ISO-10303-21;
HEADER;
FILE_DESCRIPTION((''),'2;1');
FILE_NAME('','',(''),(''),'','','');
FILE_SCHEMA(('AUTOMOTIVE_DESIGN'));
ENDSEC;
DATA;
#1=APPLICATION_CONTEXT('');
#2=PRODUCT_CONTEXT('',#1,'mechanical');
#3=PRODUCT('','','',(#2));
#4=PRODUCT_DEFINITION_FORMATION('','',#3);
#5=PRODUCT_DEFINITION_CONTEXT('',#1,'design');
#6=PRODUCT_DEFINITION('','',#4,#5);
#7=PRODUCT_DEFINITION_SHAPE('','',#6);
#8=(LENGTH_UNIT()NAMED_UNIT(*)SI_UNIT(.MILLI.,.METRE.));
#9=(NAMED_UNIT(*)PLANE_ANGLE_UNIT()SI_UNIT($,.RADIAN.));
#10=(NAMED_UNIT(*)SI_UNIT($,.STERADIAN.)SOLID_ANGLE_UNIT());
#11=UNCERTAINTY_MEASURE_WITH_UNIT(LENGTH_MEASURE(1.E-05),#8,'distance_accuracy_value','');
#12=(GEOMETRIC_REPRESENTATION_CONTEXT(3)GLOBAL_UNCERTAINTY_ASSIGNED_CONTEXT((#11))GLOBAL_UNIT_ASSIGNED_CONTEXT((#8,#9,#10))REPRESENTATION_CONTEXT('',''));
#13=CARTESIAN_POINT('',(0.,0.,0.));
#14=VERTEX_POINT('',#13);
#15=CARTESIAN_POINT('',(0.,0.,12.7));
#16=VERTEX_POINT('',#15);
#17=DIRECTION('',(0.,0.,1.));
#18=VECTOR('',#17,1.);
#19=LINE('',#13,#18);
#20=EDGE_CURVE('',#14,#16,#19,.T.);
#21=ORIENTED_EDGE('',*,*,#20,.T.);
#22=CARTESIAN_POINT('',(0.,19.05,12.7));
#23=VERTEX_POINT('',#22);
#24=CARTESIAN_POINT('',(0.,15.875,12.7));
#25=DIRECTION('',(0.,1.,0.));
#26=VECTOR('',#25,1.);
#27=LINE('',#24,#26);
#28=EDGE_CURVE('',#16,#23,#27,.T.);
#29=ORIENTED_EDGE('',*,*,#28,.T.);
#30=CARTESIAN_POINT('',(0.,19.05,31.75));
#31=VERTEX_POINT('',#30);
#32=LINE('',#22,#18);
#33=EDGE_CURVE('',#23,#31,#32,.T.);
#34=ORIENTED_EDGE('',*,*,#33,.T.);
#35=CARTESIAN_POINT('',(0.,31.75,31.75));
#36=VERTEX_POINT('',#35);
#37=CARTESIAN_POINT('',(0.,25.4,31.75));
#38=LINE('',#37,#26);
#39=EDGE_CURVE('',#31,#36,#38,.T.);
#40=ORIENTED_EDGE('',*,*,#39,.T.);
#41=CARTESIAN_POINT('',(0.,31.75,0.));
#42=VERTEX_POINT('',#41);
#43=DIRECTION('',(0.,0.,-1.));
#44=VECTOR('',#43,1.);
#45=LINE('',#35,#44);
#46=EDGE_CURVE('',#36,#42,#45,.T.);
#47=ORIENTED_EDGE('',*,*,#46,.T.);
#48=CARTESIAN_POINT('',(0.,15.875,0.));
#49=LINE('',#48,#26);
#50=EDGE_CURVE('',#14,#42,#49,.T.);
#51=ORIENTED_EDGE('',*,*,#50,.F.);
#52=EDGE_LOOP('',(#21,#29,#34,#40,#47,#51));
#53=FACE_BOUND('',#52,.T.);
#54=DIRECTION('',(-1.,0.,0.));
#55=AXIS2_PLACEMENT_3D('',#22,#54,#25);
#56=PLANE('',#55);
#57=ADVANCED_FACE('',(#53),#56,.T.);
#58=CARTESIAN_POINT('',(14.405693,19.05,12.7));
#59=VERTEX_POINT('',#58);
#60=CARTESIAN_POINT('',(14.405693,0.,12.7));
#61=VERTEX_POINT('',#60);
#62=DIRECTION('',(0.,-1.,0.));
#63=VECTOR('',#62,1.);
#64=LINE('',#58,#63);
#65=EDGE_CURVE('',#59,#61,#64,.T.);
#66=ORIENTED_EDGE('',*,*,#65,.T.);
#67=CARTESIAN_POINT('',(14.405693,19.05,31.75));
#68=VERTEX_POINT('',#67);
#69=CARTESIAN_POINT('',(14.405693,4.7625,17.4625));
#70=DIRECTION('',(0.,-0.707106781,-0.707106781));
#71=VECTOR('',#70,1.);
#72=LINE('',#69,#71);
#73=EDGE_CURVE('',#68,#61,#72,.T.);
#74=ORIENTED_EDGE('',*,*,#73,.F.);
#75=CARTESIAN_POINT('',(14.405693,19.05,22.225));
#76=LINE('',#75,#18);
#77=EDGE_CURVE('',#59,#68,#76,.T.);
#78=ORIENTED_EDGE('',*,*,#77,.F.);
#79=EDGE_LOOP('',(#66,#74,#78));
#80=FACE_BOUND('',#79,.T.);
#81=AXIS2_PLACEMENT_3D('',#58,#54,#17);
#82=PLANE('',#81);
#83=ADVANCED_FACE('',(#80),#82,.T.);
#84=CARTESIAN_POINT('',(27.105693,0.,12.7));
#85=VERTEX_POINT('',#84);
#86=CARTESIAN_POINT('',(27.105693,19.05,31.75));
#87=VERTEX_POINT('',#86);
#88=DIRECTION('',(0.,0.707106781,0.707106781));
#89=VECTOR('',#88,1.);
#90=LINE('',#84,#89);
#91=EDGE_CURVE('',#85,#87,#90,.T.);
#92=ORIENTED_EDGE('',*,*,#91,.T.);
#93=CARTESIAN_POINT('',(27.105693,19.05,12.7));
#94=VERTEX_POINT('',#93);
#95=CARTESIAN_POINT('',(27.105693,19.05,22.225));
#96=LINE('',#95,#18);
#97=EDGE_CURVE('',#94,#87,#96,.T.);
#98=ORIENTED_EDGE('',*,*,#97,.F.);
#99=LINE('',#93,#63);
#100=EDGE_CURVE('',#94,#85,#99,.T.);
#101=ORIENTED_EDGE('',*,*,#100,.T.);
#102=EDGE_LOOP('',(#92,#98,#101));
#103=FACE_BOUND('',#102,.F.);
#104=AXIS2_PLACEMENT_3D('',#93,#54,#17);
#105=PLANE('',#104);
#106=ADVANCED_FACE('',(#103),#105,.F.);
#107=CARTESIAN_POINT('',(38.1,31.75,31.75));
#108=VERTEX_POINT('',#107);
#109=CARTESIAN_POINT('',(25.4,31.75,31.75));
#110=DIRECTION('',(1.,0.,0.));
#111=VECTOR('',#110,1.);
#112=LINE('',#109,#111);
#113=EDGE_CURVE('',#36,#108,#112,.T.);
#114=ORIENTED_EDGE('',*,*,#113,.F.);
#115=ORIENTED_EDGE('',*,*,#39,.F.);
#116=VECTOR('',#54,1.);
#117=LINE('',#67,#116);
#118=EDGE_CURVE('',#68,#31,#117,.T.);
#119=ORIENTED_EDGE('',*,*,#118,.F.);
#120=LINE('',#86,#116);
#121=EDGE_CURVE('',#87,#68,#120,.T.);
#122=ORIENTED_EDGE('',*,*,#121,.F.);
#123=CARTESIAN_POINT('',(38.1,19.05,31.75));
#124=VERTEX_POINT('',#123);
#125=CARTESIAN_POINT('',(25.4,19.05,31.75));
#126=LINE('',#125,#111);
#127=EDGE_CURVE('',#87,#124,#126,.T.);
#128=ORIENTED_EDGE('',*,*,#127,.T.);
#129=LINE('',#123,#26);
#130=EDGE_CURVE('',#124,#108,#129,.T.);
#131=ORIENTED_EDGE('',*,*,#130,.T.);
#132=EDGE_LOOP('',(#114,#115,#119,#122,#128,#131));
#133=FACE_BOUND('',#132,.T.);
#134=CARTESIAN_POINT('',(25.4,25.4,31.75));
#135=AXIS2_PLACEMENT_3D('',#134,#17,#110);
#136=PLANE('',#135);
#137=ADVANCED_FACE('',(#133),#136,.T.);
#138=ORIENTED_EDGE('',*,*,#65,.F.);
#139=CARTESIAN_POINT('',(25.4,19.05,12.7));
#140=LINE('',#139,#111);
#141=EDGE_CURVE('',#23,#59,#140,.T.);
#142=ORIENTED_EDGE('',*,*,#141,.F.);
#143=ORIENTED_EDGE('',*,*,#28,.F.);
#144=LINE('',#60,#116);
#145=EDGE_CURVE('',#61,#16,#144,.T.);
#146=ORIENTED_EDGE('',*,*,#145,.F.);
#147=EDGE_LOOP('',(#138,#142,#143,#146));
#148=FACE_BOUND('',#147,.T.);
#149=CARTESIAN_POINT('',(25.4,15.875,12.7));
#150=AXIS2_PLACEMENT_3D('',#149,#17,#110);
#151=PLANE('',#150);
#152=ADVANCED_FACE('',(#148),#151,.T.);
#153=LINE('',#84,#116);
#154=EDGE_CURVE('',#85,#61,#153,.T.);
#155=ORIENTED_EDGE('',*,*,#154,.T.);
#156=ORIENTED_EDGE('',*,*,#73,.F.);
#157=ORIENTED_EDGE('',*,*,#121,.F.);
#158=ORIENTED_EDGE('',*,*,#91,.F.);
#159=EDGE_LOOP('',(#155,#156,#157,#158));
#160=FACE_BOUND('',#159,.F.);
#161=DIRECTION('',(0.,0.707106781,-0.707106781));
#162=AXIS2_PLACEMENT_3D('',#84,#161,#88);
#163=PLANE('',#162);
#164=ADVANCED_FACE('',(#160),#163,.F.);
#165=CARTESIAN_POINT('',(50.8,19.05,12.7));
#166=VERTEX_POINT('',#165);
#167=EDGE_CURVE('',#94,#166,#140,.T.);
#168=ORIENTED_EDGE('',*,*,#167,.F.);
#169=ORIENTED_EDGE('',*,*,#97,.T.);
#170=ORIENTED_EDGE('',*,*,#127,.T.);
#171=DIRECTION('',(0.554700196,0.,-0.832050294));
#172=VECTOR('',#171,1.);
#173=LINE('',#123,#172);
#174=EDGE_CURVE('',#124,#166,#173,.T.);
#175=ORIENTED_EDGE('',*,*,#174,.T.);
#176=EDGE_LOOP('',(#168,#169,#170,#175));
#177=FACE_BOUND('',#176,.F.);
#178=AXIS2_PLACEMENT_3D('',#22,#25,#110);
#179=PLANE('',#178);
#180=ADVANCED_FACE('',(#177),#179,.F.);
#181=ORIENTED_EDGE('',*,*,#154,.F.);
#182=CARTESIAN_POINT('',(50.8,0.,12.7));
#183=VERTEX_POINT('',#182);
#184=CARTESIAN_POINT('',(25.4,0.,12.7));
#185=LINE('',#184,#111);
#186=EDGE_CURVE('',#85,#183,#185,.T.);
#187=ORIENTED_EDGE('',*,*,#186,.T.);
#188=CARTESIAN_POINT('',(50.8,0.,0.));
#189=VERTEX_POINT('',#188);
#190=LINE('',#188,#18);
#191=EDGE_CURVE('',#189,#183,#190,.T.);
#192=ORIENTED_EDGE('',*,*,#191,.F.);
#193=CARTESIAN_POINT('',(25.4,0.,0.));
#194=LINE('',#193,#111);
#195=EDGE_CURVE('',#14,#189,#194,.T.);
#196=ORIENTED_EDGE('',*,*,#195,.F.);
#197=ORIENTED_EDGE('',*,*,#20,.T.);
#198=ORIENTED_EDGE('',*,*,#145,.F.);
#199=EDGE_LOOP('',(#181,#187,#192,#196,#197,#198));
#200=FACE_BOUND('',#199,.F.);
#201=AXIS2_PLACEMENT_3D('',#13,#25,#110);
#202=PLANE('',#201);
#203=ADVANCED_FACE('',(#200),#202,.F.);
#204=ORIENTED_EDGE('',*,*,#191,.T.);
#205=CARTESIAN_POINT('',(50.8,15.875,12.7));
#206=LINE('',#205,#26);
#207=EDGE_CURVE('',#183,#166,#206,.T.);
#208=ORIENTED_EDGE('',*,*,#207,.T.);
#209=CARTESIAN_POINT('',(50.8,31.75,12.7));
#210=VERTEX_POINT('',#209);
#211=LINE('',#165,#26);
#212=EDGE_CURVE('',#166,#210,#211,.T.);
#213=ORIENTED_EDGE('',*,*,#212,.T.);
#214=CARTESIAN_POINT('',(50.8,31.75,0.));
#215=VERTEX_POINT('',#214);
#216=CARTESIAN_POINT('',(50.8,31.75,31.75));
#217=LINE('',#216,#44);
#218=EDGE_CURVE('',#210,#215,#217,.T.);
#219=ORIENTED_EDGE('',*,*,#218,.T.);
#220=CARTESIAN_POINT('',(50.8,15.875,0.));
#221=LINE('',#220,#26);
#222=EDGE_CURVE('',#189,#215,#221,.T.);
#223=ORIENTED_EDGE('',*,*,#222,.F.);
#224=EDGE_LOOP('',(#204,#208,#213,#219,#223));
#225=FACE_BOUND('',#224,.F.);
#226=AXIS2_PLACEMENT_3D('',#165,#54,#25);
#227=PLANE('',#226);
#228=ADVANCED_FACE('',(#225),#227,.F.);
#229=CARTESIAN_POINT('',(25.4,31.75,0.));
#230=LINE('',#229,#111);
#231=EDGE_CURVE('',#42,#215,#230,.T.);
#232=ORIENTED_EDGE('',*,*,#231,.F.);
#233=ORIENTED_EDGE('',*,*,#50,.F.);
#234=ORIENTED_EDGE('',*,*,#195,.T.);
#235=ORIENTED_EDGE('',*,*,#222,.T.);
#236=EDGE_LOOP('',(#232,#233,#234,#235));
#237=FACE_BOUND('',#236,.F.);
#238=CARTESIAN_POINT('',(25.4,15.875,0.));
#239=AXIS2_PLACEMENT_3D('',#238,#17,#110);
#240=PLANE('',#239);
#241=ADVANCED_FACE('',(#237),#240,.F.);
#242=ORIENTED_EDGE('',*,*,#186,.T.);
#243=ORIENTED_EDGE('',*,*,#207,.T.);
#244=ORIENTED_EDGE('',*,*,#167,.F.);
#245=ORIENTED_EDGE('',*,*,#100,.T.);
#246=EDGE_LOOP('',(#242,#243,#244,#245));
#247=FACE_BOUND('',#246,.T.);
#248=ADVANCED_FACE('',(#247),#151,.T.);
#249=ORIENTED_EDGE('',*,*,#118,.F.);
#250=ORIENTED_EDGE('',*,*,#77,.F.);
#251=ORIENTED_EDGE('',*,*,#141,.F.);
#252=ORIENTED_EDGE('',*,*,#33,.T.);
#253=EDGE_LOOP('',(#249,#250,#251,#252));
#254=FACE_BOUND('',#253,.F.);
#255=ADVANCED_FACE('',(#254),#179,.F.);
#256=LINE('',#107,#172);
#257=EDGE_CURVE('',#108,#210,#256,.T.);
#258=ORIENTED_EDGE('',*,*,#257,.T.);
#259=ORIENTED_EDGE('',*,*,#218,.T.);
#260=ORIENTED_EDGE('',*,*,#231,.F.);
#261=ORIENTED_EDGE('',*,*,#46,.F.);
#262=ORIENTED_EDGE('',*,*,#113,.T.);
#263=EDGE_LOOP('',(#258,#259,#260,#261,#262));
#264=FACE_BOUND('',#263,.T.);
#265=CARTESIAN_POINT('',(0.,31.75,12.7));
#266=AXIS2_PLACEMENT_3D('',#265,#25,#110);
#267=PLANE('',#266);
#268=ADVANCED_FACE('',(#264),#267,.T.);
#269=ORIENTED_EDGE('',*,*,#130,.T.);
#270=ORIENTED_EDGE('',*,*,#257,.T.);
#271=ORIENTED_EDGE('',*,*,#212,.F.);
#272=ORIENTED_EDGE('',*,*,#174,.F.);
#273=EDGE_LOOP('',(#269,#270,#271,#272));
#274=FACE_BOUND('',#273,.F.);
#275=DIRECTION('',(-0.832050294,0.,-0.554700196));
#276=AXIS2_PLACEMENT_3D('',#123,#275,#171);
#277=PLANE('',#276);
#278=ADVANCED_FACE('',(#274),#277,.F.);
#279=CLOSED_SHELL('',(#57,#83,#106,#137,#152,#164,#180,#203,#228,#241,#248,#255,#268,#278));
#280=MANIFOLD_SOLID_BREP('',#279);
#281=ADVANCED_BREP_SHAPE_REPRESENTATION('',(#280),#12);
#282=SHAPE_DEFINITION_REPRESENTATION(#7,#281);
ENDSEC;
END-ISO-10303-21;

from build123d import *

# Parameters (mm, degrees)
F0_W     = 50.8
F0_H     = 31.75
F1_DEPTH = 12.7
F2_W     = 50.8
F2_H     = 12.7
F3_DEPTH = 19.05
F5_DEPTH = 12.7
F6_W     = 12.7
F6_H     = 19.05
F7_DEPTH = 19.05
F9_DEPTH = 25.4


with BuildPart() as f1:
    # F0 (on Top) → F1 (new body)
    with BuildSketch(Plane.XY):
        with Locations((25.4, 15.875)):
            Rectangle(F0_W, F0_H)
    extrude(amount=F1_DEPTH)

    # F2 (on face) → F3 (join)
    with BuildSketch(Plane.XY.offset(12.7)):
        with Locations((25.4, 25.4)):
            Rectangle(F2_W, F2_H)
    extrude(amount=F3_DEPTH)

    # F4 (on face) → F5 (cut)
    with BuildSketch(Plane.XZ.offset(-19.05)):
        Polygon((38.1, 31.75), (50.8, 12.7), (50.8, 31.75), align=None)
    extrude(amount=-F5_DEPTH, mode=Mode.SUBTRACT)

    # F6 (on face) → F7 (join)
    with BuildSketch(Plane.XZ.offset(-19.05)):
        with Locations((20.755693, 22.225)):
            Rectangle(F6_W, F6_H)
    extrude(amount=F7_DEPTH)

    # F8 (on face) → F9 (cut)
    with BuildSketch(Plane.YZ.offset(27.105693)):
        Polygon((0, 12.7), (19.05, 31.75), (0, 31.75), align=None)
    extrude(amount=-F9_DEPTH, mode=Mode.SUBTRACT)


solid = f1.part
